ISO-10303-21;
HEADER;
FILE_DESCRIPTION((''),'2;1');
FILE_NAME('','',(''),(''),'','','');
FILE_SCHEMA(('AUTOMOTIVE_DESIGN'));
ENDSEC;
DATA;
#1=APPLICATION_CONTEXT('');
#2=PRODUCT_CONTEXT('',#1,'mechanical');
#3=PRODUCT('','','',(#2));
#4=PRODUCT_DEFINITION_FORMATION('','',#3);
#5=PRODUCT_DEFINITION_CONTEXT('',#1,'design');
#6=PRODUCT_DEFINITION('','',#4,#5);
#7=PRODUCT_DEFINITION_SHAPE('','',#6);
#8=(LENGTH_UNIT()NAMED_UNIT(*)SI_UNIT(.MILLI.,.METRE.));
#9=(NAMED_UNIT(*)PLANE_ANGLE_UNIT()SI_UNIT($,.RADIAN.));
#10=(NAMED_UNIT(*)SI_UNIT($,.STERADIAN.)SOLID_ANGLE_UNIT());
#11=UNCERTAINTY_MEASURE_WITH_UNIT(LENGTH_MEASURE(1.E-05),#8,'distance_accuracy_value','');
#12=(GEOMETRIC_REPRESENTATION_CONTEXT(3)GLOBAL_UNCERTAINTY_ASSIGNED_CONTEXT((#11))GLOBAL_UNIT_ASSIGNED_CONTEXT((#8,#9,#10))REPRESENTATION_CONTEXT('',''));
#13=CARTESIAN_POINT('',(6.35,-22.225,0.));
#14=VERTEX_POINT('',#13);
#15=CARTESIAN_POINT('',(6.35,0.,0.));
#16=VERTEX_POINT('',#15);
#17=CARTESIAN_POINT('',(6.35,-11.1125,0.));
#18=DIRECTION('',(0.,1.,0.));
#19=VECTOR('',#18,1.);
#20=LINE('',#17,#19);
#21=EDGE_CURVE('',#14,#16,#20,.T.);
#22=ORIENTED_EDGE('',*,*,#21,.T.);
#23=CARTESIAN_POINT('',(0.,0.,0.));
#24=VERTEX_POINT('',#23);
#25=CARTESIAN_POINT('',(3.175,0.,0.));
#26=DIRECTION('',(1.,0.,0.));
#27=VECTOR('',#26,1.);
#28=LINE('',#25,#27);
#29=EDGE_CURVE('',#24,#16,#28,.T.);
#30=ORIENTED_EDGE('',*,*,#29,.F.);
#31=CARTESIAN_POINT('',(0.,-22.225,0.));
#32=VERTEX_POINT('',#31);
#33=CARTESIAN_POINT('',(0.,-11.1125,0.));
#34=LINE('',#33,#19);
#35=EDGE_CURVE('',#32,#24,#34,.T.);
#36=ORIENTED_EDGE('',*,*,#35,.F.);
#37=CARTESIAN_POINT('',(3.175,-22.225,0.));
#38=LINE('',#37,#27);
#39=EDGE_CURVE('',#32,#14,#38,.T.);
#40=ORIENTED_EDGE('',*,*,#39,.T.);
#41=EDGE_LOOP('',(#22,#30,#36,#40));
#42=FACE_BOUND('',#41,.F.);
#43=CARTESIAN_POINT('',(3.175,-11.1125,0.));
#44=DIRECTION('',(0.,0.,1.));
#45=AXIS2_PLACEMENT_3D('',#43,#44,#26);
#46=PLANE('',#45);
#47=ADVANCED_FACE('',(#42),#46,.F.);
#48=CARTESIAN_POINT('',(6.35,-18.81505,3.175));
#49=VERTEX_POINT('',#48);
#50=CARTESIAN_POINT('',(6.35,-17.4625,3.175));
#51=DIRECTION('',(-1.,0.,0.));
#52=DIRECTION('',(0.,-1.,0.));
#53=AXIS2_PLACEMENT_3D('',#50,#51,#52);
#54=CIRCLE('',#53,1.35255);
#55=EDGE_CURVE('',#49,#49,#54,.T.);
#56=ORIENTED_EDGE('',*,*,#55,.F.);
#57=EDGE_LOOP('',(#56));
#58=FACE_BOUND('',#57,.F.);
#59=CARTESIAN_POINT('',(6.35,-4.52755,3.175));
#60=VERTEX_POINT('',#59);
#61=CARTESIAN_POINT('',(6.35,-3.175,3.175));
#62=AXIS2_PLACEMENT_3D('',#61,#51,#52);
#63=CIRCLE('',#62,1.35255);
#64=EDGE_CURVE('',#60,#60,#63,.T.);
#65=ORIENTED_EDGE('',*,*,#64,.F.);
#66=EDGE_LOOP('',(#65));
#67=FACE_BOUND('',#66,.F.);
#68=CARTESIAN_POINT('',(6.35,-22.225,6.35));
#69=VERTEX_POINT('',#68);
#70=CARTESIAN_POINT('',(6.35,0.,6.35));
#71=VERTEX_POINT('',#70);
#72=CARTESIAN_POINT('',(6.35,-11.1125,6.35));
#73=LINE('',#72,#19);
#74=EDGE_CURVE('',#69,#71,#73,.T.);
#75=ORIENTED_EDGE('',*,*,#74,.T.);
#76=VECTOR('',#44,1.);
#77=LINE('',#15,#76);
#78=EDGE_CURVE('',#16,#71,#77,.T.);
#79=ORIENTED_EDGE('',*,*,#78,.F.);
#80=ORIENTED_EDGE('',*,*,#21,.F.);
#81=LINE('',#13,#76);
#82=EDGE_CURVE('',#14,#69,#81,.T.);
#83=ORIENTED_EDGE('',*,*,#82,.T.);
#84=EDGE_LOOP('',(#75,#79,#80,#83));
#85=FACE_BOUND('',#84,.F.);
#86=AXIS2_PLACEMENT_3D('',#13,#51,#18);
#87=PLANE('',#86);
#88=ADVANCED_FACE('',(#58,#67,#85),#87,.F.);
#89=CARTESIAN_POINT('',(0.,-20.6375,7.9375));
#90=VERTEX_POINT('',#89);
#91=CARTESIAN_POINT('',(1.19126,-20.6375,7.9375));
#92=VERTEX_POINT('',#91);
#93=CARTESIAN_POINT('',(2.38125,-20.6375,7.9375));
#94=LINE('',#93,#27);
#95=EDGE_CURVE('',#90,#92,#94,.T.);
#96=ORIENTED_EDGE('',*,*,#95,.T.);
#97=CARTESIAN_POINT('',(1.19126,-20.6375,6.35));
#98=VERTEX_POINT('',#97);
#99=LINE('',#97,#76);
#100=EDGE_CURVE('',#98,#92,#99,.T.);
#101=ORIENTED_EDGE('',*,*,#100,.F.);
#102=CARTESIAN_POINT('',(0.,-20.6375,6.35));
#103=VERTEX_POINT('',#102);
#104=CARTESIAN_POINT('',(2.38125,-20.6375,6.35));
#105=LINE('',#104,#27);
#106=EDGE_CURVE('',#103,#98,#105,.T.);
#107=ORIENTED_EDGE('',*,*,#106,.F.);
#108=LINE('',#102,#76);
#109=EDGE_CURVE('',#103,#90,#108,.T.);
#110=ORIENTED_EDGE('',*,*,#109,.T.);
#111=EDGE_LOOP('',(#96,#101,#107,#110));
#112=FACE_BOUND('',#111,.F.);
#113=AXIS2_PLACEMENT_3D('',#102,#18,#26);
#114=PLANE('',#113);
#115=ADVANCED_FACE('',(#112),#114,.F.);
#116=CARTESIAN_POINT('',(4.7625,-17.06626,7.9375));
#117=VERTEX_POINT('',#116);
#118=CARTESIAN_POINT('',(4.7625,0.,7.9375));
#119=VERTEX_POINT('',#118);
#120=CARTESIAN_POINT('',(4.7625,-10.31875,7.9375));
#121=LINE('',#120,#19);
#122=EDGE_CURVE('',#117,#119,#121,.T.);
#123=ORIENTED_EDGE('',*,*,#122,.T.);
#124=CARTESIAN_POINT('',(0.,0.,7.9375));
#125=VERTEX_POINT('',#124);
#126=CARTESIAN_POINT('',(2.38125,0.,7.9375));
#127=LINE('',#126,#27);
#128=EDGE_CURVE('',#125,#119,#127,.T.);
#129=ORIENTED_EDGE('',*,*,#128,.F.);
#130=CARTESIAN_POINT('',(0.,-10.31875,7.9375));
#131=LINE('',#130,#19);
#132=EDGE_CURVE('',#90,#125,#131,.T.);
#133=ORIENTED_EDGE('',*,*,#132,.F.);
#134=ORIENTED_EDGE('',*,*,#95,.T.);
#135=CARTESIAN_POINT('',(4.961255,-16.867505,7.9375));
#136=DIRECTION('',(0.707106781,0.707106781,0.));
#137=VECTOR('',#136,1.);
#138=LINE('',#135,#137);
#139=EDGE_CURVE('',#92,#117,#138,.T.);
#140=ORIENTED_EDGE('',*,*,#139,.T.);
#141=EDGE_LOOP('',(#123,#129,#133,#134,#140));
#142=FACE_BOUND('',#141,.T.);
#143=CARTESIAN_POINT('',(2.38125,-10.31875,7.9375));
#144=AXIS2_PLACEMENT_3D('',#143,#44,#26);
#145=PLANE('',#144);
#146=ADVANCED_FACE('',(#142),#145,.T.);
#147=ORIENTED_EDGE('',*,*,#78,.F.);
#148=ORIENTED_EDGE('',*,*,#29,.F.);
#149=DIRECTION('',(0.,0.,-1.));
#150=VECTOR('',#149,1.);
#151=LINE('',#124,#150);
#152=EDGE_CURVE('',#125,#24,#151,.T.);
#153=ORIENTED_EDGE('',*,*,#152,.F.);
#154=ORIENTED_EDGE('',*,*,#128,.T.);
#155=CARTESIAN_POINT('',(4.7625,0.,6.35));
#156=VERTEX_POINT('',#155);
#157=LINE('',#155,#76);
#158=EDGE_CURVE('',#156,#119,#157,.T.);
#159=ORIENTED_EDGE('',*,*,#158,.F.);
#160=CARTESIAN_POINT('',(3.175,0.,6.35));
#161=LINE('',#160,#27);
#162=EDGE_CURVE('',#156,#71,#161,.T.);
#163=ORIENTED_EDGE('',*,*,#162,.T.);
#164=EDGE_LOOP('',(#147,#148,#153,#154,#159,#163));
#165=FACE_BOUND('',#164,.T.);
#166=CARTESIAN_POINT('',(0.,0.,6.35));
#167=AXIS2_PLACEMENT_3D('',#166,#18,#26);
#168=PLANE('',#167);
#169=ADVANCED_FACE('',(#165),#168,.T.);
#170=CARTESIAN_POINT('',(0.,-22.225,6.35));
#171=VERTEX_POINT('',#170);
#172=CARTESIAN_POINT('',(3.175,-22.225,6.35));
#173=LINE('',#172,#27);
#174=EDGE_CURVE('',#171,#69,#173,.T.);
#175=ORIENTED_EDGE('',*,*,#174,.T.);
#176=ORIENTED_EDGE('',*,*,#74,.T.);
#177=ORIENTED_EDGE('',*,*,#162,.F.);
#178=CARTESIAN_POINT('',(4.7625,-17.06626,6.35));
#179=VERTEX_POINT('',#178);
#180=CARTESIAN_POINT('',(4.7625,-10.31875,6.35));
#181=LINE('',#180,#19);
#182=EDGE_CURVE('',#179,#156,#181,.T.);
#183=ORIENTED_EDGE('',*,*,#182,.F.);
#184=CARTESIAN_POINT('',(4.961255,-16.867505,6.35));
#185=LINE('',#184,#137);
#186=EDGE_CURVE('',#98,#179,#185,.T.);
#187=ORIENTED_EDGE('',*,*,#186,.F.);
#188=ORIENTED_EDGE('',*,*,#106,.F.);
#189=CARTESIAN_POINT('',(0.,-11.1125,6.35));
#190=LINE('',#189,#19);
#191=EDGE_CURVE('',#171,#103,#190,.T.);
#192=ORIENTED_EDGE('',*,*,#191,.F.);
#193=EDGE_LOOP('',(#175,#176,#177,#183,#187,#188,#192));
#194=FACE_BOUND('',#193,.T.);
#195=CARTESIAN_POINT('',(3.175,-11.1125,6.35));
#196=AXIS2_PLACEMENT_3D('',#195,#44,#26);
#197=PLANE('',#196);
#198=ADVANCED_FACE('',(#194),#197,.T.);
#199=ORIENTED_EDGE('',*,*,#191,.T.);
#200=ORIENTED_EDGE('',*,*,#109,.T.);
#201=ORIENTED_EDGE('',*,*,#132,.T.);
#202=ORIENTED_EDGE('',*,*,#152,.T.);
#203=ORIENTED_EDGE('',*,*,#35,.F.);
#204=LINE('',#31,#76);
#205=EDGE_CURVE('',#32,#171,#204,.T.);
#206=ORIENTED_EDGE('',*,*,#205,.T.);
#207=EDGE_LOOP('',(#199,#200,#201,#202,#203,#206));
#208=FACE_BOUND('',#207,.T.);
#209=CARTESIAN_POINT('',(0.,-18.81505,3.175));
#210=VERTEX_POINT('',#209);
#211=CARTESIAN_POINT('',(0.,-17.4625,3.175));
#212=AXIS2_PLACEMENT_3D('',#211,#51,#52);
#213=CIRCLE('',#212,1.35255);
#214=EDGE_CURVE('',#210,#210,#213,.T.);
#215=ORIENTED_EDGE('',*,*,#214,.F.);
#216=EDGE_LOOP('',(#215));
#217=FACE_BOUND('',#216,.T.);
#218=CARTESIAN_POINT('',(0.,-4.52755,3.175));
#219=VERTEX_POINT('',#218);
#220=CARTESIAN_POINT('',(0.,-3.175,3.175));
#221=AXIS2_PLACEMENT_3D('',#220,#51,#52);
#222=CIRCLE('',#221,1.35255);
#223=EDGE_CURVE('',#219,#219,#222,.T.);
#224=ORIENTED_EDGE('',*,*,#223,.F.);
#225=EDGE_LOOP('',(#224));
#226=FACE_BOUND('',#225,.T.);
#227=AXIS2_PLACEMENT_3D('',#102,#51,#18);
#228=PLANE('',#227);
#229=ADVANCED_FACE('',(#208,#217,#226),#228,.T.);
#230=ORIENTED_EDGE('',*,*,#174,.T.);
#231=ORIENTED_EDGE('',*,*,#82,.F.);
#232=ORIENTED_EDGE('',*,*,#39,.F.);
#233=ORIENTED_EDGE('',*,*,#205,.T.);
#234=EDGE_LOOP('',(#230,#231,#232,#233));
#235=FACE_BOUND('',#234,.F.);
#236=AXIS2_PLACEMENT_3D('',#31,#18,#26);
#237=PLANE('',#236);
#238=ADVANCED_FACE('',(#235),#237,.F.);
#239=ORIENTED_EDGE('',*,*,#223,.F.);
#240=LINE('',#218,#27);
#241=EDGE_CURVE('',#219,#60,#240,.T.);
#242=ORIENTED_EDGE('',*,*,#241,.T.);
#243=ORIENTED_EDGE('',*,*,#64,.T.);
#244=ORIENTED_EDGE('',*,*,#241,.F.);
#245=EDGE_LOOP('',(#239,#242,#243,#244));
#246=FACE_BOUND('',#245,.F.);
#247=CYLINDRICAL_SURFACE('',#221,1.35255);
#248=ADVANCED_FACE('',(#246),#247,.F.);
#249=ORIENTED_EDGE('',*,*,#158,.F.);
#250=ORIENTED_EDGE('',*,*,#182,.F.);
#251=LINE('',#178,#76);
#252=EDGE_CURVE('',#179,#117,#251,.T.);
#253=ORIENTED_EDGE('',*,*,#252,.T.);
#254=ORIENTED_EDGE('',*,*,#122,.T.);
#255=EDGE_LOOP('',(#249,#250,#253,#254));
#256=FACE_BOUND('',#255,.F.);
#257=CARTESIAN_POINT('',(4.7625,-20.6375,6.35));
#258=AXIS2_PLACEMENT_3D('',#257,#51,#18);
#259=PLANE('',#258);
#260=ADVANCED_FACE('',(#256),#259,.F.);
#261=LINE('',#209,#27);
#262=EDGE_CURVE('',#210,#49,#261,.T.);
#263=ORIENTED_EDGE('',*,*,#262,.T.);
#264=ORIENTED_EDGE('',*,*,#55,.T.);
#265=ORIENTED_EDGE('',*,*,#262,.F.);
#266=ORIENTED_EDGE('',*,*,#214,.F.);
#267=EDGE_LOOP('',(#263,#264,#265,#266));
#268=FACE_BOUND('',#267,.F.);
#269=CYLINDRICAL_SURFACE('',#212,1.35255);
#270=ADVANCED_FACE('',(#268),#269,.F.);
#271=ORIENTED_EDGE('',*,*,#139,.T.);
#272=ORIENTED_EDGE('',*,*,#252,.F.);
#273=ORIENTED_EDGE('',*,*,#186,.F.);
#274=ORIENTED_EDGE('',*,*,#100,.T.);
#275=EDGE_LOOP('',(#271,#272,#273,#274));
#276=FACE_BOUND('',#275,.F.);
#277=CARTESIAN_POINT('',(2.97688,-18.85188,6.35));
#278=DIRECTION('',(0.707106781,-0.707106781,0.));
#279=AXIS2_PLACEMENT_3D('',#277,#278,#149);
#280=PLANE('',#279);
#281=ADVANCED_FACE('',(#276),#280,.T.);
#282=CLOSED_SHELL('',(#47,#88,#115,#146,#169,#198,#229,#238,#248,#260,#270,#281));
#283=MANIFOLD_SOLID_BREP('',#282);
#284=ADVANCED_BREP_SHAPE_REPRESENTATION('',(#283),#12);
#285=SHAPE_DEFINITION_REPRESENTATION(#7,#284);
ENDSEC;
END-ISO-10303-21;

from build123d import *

# Parameters (mm, degrees)
F0_W     = 6.35
F0_H     = 22.225
F1_DEPTH = 6.35
F2_W     = 4.7625
F2_H     = 20.6375
F3_DEPTH = 1.5875
F4_R     = 1.35255
F5_DEPTH = 6.35
F6_SIZE  = 3.57124


with BuildPart() as f1:
    # F0 (on Top) → F1 (new body)
    with BuildSketch(Plane.XY):
        with Locations((3.175, -11.1125)):
            Rectangle(F0_W, F0_H)
    extrude(amount=F1_DEPTH)

    # F2 (on face) → F3 (join)
    with BuildSketch(Plane.XY.offset(6.35)):
        with Locations((2.38125, -10.31875)):
            Rectangle(F2_W, F2_H)
    extrude(amount=F3_DEPTH)

    # F4 (on face) → F5 (cut)
    with BuildSketch(Plane(origin=(0, 0, 0), x_dir=(0, -1, 0), z_dir=(-1, 0, 0))):
        with Locations((17.4625, 3.175)):
            Circle(F4_R)
        with Locations((3.175, 3.175)):
            Circle(F4_R)
    extrude(amount=-F5_DEPTH, mode=Mode.SUBTRACT)

    # F6
    f6_edges = [f1.edges().sort_by_distance(p)[0] for p in [
        (4.7625, -20.6375, 7.14375),
    ]]
    chamfer(f6_edges, length=F6_SIZE)


solid = f1.part
